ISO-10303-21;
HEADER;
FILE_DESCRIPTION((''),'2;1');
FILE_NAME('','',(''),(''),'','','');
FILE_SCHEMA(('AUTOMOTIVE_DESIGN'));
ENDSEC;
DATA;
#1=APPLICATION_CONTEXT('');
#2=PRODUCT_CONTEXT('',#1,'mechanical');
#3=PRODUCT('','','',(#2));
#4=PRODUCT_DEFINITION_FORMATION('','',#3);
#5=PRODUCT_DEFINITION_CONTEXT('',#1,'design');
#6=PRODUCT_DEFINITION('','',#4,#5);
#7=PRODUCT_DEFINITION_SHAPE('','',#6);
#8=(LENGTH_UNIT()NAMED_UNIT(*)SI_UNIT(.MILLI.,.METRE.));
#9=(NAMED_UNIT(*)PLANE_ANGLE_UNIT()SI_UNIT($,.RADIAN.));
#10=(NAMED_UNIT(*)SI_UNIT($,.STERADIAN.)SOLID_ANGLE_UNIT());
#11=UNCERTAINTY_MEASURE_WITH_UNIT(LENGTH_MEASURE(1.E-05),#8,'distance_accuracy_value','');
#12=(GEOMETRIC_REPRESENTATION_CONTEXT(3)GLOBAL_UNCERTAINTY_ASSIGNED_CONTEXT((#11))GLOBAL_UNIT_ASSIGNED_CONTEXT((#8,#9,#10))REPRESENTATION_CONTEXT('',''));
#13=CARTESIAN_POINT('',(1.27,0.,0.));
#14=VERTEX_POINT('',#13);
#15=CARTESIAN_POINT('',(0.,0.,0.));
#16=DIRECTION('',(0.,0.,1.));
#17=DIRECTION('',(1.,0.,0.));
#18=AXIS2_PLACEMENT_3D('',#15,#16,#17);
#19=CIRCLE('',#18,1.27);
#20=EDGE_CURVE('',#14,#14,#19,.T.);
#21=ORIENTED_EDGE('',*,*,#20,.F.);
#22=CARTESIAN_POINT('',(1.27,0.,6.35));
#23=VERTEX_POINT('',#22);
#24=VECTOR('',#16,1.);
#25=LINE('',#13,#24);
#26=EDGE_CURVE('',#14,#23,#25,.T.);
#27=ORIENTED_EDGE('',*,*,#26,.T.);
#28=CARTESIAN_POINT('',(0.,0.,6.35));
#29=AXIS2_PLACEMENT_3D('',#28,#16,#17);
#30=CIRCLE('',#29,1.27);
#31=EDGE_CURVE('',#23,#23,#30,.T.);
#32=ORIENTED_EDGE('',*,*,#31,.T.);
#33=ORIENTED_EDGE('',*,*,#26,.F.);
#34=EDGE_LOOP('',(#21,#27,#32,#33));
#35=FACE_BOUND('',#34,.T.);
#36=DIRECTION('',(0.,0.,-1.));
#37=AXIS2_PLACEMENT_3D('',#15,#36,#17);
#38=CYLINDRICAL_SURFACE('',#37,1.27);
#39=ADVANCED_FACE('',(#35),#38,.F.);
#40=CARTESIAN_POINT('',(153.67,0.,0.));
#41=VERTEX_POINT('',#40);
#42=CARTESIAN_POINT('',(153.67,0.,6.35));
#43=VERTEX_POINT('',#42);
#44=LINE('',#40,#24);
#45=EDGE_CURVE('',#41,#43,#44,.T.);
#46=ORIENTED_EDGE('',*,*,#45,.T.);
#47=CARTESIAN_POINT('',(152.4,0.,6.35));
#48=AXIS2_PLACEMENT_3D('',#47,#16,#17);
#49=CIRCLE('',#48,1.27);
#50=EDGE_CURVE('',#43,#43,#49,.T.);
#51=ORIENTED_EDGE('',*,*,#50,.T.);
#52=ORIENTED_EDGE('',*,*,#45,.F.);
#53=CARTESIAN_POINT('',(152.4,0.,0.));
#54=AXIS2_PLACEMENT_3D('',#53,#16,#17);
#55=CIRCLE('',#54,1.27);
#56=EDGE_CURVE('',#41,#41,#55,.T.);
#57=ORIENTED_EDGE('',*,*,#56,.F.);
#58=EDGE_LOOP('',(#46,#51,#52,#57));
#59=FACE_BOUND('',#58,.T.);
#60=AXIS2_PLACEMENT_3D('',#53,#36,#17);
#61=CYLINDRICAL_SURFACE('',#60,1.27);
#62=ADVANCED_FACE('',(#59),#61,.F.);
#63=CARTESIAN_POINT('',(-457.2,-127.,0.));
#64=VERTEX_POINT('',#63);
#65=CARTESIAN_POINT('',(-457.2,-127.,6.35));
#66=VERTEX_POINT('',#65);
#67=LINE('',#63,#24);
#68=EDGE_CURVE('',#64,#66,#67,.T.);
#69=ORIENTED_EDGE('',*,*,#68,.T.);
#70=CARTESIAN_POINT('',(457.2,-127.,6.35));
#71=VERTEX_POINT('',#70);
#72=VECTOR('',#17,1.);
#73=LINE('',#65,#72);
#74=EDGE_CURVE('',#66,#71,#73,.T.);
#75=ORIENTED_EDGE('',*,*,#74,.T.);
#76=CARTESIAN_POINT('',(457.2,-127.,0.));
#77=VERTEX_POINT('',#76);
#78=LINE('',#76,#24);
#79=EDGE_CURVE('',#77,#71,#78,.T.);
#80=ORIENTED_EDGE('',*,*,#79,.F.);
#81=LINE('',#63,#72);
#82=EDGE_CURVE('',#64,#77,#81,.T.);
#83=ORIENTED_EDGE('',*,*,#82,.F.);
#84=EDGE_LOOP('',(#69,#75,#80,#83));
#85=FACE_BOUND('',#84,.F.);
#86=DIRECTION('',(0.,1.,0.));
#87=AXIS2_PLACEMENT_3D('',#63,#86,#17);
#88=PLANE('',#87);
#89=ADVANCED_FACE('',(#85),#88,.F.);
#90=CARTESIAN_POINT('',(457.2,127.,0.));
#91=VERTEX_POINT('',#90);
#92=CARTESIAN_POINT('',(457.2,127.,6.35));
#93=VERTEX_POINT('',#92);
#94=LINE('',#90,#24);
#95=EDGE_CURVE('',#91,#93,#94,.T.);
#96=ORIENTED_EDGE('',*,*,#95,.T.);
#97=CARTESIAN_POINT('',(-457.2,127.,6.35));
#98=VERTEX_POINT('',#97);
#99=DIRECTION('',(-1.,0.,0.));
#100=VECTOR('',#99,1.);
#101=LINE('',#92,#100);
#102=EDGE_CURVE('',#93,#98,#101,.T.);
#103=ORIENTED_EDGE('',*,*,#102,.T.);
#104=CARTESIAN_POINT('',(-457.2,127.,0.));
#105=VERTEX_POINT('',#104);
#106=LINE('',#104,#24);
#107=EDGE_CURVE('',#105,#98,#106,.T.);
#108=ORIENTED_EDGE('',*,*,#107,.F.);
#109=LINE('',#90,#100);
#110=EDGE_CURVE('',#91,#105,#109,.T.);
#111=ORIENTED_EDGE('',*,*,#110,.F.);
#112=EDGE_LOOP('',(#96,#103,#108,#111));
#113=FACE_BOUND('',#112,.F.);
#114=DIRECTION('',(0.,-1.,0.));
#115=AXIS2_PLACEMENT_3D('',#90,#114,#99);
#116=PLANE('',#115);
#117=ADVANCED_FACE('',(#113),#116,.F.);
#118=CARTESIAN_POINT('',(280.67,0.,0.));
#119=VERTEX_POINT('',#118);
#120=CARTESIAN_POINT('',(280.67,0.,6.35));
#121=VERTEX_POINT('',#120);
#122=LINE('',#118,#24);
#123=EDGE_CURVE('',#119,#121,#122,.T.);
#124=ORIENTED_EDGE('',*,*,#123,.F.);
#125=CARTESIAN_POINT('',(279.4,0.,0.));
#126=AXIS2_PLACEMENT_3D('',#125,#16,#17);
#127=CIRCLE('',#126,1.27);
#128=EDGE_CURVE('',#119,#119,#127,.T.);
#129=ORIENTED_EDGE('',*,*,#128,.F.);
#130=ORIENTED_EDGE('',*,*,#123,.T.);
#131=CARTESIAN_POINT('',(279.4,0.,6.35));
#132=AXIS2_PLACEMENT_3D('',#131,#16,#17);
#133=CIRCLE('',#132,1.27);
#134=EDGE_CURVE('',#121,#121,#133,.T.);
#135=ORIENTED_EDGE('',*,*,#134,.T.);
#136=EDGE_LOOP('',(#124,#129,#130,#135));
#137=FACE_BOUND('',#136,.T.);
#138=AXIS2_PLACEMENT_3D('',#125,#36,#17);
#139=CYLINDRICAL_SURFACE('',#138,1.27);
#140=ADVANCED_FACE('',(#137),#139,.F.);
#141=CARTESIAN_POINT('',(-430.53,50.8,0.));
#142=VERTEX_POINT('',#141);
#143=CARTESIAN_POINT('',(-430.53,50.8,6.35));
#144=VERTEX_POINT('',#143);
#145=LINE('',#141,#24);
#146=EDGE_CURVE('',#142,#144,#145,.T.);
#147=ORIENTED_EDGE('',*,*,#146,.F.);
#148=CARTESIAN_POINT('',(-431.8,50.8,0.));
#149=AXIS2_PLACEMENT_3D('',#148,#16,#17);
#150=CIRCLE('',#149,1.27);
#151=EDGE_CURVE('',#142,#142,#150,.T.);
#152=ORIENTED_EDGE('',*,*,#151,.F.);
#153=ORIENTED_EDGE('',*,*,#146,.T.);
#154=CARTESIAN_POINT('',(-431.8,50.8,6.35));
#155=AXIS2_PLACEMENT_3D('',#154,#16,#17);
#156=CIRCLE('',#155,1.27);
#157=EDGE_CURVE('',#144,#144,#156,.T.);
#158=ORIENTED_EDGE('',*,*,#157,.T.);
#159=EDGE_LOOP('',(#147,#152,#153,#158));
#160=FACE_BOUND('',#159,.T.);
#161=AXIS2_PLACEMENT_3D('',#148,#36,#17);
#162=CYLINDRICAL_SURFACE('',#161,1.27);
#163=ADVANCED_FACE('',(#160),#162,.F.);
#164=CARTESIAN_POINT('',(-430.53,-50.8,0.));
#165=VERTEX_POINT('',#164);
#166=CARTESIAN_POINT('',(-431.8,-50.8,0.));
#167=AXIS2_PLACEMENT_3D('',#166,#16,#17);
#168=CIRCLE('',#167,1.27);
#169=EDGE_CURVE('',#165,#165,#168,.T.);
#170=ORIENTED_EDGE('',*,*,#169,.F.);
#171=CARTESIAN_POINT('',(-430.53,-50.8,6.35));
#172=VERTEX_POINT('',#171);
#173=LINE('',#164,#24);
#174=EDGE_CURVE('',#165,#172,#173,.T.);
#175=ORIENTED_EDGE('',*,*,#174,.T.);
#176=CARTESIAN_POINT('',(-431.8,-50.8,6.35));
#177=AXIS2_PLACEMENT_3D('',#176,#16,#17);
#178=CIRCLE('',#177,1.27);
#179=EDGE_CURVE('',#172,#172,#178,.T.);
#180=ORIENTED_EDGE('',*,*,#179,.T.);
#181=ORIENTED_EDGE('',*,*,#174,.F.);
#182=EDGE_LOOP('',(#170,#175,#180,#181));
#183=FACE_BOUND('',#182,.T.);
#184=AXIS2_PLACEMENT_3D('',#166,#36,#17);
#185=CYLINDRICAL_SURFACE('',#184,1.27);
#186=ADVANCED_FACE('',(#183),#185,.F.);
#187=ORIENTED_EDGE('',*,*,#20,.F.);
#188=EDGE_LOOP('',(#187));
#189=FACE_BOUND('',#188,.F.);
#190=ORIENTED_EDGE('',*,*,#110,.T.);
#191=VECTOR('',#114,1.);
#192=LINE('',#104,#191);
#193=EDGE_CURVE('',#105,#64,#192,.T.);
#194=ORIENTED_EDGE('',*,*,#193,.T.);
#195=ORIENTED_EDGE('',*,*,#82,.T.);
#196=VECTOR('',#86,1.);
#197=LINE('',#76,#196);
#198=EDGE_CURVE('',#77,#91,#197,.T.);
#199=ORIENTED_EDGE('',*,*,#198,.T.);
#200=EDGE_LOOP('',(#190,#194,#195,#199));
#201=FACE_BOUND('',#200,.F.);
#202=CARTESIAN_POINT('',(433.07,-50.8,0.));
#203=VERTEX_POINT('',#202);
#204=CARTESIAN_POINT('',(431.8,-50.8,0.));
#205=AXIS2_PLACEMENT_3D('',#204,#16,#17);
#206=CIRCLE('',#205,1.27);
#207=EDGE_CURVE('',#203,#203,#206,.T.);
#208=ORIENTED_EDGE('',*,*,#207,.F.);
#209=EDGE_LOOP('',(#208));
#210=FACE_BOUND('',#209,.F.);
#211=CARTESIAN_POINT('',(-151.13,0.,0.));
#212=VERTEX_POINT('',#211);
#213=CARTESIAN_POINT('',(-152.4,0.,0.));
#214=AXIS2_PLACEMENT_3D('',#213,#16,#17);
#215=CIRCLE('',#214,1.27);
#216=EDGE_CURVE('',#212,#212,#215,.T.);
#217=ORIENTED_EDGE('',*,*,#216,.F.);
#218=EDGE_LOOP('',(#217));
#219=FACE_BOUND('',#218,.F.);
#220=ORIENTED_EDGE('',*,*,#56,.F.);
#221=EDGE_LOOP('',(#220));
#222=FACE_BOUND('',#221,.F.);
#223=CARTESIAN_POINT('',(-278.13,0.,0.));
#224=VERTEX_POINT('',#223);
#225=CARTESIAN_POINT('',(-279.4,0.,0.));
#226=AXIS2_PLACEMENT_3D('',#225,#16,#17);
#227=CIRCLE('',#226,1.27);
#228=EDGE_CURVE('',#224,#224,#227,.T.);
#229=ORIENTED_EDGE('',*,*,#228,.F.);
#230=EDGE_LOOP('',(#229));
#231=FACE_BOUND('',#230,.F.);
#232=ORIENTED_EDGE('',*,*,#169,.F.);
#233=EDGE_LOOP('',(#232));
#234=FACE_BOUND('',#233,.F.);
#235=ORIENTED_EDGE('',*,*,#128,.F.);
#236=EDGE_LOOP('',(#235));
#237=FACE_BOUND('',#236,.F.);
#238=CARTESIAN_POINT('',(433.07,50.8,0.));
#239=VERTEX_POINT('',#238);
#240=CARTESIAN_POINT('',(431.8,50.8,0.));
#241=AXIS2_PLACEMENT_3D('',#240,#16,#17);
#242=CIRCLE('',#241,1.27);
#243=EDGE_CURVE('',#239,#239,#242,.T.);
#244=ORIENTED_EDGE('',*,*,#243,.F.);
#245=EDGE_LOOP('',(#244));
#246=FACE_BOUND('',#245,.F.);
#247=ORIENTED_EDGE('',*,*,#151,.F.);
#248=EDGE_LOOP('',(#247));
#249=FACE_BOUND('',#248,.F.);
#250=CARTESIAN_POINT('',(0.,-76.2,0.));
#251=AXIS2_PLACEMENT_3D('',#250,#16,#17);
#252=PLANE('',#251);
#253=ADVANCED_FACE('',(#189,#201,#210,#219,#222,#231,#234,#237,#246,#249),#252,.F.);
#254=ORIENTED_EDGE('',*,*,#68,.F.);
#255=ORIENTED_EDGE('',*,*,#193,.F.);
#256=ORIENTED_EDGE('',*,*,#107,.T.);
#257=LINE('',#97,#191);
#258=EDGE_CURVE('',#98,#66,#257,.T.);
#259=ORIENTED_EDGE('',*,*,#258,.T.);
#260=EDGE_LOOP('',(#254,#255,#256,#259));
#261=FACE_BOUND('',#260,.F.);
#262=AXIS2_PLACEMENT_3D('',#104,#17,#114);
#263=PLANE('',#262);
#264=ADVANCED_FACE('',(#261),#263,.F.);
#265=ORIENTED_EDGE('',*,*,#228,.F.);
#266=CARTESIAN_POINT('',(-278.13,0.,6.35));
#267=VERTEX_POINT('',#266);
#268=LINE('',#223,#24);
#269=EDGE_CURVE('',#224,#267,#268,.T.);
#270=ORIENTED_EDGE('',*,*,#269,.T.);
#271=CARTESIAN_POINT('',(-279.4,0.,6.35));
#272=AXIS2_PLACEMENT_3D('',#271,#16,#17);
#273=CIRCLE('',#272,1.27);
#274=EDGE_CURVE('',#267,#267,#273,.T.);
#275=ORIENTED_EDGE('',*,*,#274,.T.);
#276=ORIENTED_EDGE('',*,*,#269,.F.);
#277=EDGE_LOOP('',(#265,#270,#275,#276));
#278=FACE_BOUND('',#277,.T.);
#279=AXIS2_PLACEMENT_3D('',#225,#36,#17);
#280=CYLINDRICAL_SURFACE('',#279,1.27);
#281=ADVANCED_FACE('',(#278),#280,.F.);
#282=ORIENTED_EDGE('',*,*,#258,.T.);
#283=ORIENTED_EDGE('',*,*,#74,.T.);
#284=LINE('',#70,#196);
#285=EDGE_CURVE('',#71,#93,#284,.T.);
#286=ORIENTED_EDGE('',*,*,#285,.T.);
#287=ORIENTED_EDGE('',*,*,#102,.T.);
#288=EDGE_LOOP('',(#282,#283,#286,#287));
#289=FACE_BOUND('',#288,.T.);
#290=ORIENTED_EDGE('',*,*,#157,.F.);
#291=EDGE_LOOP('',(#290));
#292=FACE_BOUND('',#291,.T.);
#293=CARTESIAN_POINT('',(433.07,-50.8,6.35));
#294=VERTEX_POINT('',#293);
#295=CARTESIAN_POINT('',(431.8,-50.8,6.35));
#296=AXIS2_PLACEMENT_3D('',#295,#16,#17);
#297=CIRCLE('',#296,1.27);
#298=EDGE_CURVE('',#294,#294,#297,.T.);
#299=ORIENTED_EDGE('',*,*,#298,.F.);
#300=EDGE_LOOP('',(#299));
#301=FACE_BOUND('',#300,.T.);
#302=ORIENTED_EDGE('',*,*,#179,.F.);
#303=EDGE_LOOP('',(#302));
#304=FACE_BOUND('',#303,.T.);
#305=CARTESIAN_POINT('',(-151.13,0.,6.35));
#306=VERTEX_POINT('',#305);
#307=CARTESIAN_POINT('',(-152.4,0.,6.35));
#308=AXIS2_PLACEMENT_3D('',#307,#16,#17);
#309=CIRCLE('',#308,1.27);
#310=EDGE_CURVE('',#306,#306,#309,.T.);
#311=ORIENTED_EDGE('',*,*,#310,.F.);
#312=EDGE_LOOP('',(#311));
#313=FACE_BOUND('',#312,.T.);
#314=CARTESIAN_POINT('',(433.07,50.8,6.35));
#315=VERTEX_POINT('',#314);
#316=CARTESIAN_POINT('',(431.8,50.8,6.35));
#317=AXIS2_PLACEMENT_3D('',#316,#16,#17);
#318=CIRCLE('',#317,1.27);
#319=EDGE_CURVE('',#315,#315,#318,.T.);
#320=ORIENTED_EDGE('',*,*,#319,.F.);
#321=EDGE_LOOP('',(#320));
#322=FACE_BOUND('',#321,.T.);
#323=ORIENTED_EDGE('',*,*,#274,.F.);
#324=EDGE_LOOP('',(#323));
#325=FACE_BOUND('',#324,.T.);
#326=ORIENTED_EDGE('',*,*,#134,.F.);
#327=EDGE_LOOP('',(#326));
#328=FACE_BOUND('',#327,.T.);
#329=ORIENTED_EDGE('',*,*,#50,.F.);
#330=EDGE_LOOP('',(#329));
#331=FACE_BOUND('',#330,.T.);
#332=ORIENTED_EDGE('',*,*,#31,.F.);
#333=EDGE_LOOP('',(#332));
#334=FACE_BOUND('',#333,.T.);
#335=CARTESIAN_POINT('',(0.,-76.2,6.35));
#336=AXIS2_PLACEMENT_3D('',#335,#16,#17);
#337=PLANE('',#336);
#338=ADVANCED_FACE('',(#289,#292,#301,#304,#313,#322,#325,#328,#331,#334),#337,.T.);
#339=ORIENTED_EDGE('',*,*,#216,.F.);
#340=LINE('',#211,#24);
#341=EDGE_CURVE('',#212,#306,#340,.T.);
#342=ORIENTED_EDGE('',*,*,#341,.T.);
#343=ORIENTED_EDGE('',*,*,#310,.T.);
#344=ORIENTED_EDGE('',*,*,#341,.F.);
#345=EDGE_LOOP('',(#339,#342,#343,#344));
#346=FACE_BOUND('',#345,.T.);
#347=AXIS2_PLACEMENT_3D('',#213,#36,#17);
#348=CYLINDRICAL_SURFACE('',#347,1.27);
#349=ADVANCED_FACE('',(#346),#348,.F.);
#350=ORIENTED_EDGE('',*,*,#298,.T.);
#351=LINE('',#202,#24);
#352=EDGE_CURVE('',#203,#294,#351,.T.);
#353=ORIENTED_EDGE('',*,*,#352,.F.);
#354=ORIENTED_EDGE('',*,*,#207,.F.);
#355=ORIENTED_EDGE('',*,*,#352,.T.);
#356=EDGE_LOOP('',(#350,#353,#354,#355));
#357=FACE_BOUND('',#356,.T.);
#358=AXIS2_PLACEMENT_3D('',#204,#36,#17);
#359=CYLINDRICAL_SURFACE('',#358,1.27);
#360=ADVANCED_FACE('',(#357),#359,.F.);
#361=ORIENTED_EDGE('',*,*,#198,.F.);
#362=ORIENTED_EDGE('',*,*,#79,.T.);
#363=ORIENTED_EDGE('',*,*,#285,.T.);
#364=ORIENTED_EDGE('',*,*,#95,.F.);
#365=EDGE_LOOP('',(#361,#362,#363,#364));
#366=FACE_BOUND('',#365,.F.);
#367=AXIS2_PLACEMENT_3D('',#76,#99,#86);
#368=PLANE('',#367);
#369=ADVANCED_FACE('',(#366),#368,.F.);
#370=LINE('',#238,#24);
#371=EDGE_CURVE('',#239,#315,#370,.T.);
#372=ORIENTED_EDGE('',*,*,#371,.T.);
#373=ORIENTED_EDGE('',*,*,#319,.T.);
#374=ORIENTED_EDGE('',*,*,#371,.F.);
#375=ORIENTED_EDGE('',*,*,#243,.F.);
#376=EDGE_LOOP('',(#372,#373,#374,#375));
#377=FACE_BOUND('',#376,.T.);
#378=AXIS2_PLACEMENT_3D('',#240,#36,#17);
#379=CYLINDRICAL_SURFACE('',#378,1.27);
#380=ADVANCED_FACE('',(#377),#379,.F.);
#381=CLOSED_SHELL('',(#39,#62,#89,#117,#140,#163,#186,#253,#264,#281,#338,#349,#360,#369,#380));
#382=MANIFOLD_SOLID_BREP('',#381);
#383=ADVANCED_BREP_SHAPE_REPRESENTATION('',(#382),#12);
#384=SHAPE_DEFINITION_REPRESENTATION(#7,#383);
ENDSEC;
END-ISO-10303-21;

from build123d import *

# Parameters (mm, degrees)
F0_R     = 1.27
F0_W     = 812.8
F0_H     = 50.8
F1_DEPTH = 6.35


with BuildPart() as f1:
    # F0 (on Top) → F1 (new body)
    with BuildSketch(Plane.XY):
        Polygon((-406.4, -25.4), (-406.4, -127), (-381, -127), (381, -127), (406.4, -127), (406.4, -25.4), align=None)
        Polygon((-457.2, 127), (-457.2, -127), (-406.4, -127), (-406.4, -25.4), (-406.4, 25.4), (-406.4, 76.2), (-406.4, 127), align=None)
        with Locations((-431.8, -50.8)):
            Circle(F0_R, mode=Mode.SUBTRACT)
        with Locations((-431.8, 50.8)):
            Circle(F0_R, mode=Mode.SUBTRACT)
        Polygon((-381, 127), (-406.4, 127), (-406.4, 76.2), (406.4, 76.2), (406.4, 127), (381, 127), align=None)
        Polygon((406.4, 25.4), (406.4, -25.4), (406.4, -127), (457.2, -127), (457.2, 127), (406.4, 127), (406.4, 76.2), align=None)
        with Locations((431.8, -50.8)):
            Circle(F0_R, mode=Mode.SUBTRACT)
        with Locations((431.8, 50.8)):
            Circle(F0_R, mode=Mode.SUBTRACT)
        with Locations((0, 50.8)):
            Rectangle(F0_W, F0_H)
        Rectangle(F0_W, F0_H)
        with Locations((-279.4, 0)):
            Circle(F0_R, mode=Mode.SUBTRACT)
        with Locations((-152.4, 0)):
            Circle(F0_R, mode=Mode.SUBTRACT)
        Circle(F0_R, mode=Mode.SUBTRACT)
        with Locations((152.4, 0)):
            Circle(F0_R, mode=Mode.SUBTRACT)
        with Locations((279.4, 0)):
            Circle(F0_R, mode=Mode.SUBTRACT)
    extrude(amount=F1_DEPTH)


solid = f1.part
